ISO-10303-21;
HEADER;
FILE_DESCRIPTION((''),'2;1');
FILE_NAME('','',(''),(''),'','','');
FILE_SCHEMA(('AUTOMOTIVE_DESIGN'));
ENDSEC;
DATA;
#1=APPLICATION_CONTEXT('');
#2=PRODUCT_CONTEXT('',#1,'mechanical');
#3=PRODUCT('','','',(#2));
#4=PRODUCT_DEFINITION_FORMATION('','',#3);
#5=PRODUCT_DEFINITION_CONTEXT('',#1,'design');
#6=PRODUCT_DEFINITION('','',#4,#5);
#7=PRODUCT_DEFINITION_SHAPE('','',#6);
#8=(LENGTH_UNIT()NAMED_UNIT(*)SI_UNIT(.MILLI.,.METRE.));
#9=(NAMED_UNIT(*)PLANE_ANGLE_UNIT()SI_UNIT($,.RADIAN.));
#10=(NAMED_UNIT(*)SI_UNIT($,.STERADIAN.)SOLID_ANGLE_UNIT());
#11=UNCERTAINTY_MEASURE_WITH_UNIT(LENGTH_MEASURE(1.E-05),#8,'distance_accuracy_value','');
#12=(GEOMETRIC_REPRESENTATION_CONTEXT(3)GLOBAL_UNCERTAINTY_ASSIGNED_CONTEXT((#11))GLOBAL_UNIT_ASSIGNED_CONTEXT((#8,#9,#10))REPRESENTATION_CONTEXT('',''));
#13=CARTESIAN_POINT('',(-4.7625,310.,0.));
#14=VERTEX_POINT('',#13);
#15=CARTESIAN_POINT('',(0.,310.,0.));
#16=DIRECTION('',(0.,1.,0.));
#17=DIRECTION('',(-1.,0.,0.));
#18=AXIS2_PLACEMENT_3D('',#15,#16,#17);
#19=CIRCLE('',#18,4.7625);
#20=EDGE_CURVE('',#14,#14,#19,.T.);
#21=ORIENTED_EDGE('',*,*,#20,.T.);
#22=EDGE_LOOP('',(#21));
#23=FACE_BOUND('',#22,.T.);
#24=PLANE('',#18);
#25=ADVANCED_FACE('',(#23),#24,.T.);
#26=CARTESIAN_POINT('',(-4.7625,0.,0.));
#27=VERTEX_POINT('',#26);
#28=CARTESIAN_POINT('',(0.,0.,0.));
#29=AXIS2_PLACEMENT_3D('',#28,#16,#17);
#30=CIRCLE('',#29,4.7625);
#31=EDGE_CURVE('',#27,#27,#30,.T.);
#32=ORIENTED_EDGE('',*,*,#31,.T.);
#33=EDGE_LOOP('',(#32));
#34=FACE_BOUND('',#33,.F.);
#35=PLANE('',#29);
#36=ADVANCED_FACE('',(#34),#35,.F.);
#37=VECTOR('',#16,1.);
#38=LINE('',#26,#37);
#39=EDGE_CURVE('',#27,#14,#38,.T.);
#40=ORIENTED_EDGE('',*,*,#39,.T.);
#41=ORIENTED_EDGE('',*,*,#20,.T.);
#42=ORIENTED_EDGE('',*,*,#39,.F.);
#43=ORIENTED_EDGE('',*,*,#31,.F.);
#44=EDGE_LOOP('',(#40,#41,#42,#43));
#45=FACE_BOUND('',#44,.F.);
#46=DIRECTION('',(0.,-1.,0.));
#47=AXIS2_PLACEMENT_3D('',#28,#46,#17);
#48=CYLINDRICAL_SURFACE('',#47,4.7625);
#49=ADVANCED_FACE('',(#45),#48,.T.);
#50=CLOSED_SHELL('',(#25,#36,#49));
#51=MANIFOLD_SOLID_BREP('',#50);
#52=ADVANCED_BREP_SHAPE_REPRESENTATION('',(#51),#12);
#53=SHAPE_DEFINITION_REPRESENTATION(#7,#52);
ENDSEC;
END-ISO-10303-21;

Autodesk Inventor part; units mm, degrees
ref_plane "YZ Plane" through (0, 0, 0) normal (1, 0, 0) x (0, 1, 0)
ref_plane "XZ Plane" through (0, 0, 0) normal (0, 1, 0) x (-1, 0, 0)
ref_plane "XY Plane" through (0, 0, 0) normal (0, 0, 1) x (1, 0, 0)
sketch "Sketch1" plane through (0, 0, 0) normal (0, 1, 0) x (-1, 0, 0)
  circle A0 centre (0, 0) radius 4.7625
  dimension "d0" = 9.525
extrude "Extrusion1" add sketch "Sketch1" along normal blind 310
properties part number "x rod" material "Stainless Steel"
